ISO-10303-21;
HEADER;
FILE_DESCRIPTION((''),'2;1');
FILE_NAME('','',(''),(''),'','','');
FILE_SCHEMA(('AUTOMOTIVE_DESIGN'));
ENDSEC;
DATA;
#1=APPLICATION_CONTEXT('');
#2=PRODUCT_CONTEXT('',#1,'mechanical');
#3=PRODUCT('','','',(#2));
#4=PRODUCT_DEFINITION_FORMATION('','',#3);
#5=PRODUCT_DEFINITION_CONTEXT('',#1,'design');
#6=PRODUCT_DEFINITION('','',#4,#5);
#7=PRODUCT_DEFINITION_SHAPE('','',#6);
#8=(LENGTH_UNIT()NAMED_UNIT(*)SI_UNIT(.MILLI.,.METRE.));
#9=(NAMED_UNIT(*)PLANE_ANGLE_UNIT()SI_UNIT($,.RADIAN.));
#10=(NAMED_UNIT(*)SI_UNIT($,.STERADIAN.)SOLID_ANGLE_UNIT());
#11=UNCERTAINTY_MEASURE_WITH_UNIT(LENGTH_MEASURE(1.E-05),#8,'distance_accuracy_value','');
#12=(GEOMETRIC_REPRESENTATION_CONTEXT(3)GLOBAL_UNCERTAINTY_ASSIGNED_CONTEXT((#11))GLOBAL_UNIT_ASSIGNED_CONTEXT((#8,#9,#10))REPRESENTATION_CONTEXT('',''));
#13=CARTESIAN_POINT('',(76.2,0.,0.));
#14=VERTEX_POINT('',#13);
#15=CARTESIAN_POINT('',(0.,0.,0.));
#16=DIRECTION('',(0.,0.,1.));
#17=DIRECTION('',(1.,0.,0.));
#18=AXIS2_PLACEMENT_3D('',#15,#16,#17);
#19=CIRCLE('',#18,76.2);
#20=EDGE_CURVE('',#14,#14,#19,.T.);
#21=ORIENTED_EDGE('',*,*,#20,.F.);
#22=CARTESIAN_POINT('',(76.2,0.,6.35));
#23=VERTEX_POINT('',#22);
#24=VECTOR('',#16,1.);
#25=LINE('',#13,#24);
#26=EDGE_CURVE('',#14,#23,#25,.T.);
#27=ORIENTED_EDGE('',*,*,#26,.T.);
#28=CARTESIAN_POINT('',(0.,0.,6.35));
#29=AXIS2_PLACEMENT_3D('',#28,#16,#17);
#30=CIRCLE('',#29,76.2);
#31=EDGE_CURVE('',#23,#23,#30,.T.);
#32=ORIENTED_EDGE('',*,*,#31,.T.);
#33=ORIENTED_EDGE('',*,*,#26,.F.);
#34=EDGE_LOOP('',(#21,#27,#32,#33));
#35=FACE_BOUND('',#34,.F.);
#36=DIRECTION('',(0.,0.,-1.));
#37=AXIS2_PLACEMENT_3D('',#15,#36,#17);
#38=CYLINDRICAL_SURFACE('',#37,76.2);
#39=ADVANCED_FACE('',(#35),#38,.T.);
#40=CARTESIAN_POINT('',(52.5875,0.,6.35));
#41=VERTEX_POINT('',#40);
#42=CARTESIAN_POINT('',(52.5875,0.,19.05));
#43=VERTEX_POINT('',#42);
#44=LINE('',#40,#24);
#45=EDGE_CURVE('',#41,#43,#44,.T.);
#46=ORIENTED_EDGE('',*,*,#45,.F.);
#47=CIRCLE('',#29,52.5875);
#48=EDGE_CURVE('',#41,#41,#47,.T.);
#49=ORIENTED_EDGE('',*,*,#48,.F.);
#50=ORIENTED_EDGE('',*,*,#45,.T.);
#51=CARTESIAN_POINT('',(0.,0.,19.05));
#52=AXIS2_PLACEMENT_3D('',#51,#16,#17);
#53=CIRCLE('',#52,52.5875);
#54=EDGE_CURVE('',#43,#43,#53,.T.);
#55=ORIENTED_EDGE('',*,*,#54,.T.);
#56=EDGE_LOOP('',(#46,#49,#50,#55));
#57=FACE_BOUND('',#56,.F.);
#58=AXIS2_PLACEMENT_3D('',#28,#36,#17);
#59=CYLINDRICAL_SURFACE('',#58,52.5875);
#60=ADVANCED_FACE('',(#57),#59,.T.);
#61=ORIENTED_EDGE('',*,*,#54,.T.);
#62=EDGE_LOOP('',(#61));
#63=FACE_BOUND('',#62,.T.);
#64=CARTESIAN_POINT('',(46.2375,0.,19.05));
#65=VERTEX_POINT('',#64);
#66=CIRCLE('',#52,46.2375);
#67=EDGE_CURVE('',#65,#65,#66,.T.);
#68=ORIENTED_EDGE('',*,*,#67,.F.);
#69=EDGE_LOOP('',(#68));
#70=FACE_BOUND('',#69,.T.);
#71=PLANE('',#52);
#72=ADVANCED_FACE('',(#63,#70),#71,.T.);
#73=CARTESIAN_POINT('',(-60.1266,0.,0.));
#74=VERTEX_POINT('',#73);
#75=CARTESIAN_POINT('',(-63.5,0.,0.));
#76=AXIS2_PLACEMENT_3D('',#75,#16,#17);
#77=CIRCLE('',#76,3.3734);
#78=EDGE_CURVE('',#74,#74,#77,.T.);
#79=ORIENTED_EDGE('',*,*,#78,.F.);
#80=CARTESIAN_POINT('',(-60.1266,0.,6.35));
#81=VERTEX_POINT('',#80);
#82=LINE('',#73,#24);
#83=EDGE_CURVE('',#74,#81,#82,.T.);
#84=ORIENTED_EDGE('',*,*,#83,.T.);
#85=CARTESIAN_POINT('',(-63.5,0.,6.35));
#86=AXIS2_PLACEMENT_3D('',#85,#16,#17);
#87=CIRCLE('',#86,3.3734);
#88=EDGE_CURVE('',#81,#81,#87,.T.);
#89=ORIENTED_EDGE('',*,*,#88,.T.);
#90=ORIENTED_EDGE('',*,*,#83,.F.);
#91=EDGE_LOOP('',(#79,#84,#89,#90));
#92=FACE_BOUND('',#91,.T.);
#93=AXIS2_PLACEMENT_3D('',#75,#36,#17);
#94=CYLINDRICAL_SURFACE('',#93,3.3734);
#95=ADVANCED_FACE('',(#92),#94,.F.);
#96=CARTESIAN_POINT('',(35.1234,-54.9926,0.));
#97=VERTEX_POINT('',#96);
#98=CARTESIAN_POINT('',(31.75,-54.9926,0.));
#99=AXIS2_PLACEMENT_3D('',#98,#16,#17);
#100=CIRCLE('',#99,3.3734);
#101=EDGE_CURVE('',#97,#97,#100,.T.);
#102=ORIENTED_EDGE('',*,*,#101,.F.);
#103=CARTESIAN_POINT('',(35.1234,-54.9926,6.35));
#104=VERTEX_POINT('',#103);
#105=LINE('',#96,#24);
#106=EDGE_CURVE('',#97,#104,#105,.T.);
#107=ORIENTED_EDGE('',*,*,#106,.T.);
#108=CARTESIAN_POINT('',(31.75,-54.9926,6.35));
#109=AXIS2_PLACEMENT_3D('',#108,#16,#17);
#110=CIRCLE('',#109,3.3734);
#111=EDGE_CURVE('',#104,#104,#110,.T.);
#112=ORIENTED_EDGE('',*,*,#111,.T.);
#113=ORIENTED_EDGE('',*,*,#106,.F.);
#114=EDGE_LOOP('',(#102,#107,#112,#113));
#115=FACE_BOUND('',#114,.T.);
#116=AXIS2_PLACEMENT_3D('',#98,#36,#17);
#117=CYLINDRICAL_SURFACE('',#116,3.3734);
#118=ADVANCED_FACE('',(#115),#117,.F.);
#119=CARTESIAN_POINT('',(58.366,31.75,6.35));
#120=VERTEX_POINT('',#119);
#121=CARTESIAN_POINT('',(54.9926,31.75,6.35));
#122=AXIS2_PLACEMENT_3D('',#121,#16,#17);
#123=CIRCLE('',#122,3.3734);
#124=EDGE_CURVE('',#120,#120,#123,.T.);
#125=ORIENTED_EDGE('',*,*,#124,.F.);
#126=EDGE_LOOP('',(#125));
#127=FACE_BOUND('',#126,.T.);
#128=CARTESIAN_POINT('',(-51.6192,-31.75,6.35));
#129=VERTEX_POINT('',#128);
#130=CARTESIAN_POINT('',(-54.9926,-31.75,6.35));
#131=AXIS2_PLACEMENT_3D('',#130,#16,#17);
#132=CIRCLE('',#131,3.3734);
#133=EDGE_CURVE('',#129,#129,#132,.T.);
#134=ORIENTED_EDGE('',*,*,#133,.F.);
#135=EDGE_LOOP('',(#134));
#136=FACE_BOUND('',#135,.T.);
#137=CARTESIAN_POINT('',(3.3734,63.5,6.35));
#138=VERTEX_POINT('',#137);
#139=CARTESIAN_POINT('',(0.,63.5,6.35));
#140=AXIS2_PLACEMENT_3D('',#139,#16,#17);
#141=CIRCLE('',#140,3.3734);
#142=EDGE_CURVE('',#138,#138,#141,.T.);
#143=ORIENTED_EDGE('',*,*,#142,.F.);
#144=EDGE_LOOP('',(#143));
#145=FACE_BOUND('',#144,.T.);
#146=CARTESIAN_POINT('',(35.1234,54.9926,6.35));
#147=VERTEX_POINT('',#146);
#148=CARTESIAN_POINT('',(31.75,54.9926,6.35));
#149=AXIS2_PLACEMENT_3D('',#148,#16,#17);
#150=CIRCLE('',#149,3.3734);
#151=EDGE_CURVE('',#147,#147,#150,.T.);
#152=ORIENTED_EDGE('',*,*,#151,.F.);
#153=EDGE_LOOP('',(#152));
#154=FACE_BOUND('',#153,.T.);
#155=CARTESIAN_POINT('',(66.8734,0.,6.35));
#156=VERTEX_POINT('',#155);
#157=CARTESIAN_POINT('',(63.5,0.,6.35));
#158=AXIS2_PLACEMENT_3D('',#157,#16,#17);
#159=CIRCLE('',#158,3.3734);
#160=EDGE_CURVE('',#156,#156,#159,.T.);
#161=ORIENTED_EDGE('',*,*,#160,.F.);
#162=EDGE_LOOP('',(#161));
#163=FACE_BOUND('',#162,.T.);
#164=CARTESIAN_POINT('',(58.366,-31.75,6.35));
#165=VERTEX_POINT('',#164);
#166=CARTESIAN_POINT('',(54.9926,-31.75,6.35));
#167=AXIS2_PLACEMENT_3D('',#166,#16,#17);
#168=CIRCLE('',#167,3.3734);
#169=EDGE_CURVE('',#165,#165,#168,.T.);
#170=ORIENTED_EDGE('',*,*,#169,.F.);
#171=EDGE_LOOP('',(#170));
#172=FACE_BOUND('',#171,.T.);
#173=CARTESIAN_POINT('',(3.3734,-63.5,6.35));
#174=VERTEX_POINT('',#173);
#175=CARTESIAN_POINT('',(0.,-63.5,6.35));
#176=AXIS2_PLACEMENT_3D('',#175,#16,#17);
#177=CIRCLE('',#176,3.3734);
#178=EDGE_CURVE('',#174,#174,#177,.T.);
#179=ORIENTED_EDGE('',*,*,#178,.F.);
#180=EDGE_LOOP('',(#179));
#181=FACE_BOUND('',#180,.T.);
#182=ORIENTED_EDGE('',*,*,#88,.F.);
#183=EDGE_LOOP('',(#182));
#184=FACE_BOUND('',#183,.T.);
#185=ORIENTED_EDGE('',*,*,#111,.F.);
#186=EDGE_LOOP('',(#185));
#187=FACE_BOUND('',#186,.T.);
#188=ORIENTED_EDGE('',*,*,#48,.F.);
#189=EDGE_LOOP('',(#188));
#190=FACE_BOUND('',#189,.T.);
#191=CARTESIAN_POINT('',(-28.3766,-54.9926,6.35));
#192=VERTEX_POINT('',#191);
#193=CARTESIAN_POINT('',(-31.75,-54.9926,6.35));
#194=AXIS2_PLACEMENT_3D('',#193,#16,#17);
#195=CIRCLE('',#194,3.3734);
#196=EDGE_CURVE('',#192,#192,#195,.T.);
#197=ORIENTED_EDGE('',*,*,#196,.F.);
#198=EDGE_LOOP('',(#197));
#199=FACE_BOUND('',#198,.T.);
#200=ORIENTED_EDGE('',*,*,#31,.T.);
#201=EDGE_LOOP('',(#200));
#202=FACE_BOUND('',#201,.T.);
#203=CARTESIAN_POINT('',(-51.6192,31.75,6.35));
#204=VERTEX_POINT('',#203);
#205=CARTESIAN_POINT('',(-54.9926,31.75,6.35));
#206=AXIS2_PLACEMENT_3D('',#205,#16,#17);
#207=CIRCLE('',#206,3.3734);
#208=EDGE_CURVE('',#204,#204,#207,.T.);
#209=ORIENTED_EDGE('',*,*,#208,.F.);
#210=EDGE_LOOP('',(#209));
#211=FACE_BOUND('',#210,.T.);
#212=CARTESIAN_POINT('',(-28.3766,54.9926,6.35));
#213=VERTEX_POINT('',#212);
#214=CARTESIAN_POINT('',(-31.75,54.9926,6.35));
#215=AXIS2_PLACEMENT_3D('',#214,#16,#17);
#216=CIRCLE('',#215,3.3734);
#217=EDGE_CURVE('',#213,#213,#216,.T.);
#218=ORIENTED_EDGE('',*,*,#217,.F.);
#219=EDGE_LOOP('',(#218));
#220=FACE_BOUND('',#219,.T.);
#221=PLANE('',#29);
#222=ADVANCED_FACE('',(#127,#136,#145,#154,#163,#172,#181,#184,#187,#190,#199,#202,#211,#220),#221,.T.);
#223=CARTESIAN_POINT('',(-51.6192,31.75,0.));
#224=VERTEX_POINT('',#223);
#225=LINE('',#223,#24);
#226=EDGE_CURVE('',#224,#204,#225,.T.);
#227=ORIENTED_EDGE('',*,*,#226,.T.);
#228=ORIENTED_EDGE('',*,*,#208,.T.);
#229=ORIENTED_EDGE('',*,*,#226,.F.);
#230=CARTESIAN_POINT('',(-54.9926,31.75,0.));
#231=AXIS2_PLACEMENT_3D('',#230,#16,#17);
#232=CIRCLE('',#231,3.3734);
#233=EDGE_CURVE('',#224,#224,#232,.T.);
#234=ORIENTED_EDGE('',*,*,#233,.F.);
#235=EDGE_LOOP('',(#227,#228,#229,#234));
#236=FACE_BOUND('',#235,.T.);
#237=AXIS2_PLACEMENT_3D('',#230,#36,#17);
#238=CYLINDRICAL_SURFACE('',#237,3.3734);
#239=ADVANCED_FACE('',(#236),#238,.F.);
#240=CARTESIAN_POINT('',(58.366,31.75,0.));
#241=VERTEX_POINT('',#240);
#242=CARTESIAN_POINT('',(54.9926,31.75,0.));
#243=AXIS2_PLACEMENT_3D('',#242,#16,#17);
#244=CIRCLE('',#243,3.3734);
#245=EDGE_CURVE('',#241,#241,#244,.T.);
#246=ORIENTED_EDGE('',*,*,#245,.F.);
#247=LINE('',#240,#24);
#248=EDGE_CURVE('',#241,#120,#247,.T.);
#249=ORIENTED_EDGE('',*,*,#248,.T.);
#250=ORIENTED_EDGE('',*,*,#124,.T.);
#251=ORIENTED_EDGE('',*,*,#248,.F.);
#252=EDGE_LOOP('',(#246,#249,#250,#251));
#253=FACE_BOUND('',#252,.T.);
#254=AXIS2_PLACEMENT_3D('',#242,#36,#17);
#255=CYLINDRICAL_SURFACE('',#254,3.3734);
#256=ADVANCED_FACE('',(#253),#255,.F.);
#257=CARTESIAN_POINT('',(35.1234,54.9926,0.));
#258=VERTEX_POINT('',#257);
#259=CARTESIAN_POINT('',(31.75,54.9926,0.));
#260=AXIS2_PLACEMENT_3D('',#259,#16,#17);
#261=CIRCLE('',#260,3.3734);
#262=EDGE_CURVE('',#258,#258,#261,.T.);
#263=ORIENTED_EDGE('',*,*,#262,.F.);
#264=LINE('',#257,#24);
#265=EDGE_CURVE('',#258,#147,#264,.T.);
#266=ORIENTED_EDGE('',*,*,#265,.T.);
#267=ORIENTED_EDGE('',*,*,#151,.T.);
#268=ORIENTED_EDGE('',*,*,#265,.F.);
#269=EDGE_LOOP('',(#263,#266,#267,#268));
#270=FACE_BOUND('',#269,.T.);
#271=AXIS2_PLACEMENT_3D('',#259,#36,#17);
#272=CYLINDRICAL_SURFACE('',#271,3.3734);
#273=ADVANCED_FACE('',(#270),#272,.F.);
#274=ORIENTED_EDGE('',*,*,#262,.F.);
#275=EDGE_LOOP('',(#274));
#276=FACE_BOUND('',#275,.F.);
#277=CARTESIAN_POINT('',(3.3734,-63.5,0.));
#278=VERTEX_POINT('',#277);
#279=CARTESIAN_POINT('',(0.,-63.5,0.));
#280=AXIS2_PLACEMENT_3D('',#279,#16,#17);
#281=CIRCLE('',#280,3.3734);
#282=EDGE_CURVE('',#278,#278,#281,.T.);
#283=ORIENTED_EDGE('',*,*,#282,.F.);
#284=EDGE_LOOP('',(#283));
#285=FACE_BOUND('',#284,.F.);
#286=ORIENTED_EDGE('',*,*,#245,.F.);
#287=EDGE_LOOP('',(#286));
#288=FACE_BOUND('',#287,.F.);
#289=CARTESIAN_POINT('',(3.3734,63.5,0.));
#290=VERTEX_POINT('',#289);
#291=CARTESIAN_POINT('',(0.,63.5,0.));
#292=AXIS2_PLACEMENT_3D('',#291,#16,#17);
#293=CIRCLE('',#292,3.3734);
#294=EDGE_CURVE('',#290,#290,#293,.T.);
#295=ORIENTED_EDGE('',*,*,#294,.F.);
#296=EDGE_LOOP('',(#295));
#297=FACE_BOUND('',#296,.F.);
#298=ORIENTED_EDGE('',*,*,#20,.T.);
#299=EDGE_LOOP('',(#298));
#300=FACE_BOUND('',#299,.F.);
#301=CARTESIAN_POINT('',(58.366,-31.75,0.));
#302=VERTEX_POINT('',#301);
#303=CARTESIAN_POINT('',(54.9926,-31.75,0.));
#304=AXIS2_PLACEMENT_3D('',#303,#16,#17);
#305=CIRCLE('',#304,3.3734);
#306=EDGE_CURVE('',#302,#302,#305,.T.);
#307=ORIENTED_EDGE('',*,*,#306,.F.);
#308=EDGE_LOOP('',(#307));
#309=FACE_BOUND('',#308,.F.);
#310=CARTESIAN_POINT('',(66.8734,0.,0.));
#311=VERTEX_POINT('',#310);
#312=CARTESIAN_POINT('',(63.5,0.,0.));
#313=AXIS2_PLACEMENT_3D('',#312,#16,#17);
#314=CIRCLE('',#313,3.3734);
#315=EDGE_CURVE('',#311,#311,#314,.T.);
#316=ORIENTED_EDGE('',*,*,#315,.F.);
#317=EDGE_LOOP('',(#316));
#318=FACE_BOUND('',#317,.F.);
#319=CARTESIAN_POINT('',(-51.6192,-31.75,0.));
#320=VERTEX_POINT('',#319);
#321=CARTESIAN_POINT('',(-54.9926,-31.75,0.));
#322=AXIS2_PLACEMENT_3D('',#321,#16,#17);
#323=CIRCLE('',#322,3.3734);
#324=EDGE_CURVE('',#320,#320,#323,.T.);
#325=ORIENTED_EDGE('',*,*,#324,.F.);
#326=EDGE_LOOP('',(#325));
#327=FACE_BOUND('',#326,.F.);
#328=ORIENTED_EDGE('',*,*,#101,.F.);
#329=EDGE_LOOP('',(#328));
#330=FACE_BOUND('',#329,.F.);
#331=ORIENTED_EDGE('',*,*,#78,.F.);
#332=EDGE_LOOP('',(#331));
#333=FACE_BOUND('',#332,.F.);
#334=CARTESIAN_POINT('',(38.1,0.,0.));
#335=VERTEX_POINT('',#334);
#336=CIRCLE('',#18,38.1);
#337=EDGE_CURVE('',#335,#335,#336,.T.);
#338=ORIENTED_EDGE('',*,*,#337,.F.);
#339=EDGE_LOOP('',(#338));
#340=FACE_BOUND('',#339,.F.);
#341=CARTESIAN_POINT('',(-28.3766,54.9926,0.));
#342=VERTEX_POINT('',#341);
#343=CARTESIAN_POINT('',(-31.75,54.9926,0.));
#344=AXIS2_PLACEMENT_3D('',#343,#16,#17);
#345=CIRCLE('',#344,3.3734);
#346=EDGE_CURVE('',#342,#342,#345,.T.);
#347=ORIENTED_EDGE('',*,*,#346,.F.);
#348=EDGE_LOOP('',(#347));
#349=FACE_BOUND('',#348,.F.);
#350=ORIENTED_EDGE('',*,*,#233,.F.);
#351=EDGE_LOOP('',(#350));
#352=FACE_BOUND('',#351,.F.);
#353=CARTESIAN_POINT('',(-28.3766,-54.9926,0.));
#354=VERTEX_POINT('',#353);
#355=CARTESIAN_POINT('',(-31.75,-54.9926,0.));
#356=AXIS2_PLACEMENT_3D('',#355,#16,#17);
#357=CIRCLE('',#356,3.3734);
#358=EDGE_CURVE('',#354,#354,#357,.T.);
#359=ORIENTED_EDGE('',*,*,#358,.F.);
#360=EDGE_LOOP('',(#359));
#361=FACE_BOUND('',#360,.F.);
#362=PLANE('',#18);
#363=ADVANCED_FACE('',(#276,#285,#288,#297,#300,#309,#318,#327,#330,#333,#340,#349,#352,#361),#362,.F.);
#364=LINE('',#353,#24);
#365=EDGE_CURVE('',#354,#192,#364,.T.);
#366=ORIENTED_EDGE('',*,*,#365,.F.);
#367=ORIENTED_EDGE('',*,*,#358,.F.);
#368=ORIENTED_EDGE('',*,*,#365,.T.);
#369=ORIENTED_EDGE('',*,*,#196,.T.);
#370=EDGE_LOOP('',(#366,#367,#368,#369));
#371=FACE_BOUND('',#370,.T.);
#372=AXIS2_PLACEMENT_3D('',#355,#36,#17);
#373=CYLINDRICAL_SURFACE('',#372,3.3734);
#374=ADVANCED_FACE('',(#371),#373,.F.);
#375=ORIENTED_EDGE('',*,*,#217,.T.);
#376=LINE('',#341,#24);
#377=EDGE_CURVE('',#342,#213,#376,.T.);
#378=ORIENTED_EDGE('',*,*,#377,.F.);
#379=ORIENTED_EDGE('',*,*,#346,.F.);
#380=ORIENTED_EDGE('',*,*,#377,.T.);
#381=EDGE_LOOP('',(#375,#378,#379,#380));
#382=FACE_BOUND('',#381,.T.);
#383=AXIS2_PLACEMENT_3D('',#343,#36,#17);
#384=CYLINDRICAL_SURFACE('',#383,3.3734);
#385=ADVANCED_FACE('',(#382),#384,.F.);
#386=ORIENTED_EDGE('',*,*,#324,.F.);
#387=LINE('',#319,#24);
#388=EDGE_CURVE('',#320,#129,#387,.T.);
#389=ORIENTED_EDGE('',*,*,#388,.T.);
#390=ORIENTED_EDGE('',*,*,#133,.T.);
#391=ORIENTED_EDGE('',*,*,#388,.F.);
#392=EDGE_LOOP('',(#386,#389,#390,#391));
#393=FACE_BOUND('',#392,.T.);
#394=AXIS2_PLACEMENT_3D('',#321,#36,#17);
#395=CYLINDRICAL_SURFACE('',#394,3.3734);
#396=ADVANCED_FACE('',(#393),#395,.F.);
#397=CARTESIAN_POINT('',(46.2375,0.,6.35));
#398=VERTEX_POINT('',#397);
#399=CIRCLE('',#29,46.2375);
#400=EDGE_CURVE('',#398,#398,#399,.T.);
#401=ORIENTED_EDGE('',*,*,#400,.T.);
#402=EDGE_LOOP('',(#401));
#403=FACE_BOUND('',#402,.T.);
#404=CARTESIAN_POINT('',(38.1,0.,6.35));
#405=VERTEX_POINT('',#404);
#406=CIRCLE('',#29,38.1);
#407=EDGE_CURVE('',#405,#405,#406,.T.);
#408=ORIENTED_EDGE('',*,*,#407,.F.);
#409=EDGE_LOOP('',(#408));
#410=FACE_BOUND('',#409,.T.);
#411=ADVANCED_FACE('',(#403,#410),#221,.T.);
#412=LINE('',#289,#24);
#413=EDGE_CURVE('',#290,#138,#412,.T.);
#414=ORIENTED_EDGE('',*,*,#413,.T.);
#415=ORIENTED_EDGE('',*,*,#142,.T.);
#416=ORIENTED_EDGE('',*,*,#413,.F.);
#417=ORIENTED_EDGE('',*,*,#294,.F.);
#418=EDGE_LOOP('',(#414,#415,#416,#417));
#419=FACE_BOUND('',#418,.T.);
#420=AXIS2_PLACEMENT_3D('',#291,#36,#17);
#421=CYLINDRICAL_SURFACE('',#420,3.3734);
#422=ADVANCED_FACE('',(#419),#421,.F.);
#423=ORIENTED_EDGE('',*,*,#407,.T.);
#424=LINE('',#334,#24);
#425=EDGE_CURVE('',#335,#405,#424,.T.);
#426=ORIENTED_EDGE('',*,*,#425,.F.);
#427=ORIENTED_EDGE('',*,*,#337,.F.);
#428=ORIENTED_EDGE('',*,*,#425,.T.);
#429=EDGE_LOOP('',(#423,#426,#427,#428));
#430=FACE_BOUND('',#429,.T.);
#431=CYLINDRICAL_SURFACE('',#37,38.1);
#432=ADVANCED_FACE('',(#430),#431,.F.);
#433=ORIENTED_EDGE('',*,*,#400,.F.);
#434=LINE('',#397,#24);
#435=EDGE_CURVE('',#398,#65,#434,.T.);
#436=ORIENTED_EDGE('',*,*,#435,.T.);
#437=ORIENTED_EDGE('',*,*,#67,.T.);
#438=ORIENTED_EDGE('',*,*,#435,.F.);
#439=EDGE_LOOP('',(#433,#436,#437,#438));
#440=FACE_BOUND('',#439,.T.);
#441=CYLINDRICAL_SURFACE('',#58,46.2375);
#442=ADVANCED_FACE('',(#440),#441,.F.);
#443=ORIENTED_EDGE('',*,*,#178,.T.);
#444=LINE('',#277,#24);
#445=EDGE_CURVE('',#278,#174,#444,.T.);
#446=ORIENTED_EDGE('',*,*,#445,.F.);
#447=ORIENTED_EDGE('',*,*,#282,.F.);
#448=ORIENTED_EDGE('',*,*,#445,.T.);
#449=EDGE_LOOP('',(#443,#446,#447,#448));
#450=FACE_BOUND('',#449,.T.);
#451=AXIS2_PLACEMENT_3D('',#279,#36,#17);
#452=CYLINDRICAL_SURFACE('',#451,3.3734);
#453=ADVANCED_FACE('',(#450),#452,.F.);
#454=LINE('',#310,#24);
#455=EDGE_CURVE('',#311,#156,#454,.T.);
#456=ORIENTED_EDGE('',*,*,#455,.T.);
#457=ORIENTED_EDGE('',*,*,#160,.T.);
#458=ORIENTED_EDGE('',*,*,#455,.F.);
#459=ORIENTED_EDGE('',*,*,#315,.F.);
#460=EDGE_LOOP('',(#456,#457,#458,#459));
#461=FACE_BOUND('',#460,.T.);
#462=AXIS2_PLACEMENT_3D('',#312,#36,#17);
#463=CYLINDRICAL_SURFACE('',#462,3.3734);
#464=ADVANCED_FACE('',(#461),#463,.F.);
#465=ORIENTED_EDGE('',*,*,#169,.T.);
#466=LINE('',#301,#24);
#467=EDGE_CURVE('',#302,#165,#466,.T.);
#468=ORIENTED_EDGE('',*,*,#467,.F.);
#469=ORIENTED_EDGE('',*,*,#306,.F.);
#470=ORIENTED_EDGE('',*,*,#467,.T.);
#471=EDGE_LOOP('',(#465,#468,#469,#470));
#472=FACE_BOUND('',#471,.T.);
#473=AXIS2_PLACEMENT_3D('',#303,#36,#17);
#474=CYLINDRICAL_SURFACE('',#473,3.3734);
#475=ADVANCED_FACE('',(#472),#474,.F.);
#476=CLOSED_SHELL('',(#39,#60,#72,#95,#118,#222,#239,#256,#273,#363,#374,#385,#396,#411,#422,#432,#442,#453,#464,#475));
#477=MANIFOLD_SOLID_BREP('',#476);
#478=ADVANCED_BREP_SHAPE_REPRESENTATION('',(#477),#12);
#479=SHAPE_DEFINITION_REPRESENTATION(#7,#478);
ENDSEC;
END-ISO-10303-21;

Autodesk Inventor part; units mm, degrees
ref_plane "YZ Plane" through (0, 0, 0) normal (1, 0, 0) x (0, 1, 0)
ref_plane "XZ Plane" through (0, 0, 0) normal (0, 1, 0) x (-1, 0, 0)
ref_plane "XY Plane" through (0, 0, 0) normal (0, 0, 1) x (1, 0, 0)
sketch "Sketch1" plane through (0, 0, 0) normal (0, 0, 1) x (1, 0, 0)
  circle A0 centre (0, 0) radius 76.2
  circle A1 centre (0, 63.5) radius 3.3734
  circle A2 centre (0, 0) radius 38.1
  circle A3 centre (-31.75, 54.9926) radius 3.3734
  circle A4 centre (-54.9926, 31.75) radius 3.3734
  circle A5 centre (-63.5, 0) radius 3.3734
  circle A6 centre (-54.9926, -31.75) radius 3.3734
  circle A7 centre (-31.75, -54.9926) radius 3.3734
  circle A8 centre (0, -63.5) radius 3.3734
  circle A9 centre (31.75, -54.9926) radius 3.3734
  circle A10 centre (54.9926, -31.75) radius 3.3734
  circle A11 centre (63.5, 0) radius 3.3734
  circle A12 centre (54.9926, 31.75) radius 3.3734
  circle A13 centre (31.75, 54.9926) radius 3.3734
  dimension "d0" = 63.5
  dimension "d1" = 152.4
  dimension "d2" = 6.7469
  dimension "d3" = 76.2
  dimension "d6" = 360
extrude "Extrusion1" add sketch "Sketch1" along normal blind 6.35
sketch "Sketch2" plane through (0, 0, 6.35) normal (0, 0, 1) x (1, 0, 0)
  circle A0 centre (0, 0) radius 46.2375
  circle A1 centre (0, 0) radius 52.5875
  dimension "d10" = 92.475
  dimension "d11" = 6.35
extrude "Extrusion2" add sketch "Sketch2" along normal blind 12.7
